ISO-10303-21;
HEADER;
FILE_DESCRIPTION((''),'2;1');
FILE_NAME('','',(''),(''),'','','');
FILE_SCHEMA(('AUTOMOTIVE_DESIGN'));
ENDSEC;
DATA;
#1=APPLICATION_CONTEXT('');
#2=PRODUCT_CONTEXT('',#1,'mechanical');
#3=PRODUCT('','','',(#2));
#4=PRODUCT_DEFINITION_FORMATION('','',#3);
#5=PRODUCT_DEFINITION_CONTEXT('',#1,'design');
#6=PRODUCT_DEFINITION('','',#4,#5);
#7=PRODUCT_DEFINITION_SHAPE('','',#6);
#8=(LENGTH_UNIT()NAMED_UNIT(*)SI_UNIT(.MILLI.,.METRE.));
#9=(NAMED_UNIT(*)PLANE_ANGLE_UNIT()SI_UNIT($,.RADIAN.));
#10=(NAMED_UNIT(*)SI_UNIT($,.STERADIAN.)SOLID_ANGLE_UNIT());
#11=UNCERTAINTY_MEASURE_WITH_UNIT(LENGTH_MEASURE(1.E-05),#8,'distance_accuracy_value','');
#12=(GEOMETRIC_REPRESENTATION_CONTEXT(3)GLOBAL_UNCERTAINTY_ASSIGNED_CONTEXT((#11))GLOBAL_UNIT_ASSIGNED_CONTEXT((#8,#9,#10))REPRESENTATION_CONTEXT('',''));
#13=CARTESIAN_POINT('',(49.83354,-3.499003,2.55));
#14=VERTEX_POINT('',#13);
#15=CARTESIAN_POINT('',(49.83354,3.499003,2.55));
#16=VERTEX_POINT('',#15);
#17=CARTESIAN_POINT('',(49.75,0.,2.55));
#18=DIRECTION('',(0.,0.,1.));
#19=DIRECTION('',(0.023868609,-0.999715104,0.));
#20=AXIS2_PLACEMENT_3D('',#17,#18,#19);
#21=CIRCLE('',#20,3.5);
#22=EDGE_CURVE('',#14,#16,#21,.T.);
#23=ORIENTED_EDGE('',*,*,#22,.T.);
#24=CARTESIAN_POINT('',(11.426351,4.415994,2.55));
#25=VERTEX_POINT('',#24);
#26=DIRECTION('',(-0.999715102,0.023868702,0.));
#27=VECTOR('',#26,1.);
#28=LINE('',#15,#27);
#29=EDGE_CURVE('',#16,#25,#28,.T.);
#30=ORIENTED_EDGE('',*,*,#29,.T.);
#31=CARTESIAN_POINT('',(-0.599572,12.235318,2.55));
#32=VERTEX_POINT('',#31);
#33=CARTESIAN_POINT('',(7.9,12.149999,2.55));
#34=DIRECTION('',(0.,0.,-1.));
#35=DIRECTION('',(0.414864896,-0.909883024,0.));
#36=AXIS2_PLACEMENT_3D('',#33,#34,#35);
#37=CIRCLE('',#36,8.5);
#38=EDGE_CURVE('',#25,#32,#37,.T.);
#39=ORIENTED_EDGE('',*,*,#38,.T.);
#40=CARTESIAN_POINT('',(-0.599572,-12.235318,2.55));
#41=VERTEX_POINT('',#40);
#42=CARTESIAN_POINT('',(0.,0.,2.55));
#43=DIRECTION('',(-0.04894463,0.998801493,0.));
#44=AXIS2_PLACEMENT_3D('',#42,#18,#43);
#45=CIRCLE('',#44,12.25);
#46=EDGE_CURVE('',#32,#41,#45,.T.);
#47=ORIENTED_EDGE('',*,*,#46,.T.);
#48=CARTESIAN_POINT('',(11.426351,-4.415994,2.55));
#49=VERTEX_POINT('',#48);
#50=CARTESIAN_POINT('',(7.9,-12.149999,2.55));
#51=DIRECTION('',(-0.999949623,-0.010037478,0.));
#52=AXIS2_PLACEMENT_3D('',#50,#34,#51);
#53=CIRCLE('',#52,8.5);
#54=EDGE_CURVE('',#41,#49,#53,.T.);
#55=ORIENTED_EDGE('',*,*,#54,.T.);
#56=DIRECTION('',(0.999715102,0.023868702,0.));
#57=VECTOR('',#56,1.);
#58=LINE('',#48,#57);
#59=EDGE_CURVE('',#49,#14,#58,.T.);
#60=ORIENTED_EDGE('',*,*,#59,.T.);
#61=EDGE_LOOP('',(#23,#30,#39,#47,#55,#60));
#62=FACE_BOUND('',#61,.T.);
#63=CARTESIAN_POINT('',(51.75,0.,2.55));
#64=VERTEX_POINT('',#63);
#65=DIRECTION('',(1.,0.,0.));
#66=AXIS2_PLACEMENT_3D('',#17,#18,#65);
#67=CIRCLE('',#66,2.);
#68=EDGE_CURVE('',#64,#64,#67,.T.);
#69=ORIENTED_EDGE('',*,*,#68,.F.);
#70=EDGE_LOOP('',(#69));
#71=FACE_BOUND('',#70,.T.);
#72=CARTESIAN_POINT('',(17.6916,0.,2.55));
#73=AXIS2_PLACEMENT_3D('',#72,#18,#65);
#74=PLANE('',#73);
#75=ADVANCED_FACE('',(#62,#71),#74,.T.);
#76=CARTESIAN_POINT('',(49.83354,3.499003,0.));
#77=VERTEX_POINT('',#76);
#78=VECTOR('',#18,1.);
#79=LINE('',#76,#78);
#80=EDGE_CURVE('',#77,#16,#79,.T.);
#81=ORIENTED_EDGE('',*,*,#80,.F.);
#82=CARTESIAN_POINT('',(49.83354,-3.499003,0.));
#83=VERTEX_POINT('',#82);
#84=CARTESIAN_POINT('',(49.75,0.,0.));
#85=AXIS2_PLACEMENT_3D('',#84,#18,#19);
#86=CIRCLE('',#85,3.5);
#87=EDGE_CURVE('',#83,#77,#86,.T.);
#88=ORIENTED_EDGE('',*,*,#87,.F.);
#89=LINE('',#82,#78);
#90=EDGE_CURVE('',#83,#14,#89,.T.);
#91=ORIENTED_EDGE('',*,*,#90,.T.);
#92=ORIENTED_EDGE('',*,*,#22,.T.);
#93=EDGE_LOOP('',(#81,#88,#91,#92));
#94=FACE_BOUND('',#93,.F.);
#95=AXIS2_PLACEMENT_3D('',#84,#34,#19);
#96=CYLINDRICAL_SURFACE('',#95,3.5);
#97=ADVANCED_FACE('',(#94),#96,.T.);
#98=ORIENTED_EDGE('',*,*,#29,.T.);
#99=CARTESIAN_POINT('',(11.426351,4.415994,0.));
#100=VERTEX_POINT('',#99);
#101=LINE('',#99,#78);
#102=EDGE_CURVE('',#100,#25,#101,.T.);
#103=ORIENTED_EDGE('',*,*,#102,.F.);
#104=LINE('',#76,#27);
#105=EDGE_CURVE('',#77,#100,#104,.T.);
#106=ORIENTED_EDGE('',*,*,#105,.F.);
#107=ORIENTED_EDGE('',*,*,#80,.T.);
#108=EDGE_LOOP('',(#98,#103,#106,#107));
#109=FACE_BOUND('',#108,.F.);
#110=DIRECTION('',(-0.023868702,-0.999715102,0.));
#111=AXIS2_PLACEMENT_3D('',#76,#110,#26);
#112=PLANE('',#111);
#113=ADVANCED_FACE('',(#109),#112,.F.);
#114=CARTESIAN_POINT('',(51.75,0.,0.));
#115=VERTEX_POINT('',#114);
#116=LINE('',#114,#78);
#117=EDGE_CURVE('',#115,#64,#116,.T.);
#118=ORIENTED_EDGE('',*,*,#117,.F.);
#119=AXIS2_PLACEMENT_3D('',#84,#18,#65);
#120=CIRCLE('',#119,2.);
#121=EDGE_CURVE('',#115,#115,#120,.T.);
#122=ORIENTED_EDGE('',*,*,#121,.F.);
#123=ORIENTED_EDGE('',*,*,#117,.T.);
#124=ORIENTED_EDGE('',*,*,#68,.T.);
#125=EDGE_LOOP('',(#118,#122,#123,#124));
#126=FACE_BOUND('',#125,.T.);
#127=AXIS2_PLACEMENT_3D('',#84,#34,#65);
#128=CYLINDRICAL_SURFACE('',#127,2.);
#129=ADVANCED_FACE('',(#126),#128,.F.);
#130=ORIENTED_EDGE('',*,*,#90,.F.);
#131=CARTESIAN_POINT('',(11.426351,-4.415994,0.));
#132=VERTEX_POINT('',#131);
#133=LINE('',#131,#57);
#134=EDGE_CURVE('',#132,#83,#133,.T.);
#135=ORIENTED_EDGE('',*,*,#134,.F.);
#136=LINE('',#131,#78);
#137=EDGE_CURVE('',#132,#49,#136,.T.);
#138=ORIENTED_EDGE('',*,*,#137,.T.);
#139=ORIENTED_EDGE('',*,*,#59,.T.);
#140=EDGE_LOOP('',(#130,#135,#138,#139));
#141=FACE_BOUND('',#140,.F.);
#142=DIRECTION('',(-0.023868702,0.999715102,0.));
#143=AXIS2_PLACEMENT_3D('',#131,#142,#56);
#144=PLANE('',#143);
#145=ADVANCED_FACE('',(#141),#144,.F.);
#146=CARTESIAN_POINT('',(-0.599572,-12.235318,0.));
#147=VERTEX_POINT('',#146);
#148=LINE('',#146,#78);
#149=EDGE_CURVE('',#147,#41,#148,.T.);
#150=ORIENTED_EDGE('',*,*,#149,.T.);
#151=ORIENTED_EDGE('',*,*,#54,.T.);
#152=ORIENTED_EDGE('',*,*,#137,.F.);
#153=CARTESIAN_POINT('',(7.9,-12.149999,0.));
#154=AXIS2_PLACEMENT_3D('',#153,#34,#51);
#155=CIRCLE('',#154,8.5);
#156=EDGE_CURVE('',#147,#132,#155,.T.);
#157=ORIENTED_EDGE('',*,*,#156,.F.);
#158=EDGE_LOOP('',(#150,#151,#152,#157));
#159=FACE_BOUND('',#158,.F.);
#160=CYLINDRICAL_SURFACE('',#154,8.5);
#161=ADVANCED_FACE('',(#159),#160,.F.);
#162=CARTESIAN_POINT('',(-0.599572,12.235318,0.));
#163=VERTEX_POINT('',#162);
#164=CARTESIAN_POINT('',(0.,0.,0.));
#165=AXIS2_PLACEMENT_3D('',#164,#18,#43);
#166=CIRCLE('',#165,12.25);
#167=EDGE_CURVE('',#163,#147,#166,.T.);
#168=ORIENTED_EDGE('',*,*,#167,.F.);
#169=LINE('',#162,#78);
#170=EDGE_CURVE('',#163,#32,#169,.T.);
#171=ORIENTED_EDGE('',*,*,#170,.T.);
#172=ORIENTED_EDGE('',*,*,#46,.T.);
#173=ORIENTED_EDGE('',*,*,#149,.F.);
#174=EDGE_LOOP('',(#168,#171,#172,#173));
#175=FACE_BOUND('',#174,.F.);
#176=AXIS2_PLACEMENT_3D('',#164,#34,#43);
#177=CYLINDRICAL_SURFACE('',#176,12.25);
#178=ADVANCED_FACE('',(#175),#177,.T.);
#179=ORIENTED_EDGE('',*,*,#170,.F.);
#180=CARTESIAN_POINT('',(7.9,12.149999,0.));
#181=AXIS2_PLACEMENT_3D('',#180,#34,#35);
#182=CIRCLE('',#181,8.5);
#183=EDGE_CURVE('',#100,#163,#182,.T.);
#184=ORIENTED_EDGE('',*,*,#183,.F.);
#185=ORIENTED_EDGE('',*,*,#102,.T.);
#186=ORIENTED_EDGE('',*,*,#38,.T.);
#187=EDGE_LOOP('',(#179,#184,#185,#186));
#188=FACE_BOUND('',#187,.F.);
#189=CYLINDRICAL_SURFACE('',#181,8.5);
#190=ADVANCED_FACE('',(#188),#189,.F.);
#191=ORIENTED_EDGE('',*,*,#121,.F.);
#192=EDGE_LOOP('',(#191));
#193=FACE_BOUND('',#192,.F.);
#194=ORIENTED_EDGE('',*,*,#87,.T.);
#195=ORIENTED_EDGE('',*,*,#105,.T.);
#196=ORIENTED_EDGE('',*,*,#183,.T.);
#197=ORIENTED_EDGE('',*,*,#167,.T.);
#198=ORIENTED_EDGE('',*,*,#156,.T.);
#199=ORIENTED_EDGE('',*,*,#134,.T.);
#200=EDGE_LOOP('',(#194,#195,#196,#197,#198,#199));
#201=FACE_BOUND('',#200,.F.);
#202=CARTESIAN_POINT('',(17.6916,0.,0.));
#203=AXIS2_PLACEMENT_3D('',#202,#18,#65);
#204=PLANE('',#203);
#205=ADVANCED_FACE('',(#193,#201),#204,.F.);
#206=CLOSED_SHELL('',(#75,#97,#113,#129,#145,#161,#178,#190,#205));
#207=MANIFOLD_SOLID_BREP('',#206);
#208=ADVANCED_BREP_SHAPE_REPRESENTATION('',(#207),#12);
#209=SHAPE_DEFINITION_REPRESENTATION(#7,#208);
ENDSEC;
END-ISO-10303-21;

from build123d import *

# Parameters (mm, degrees)
F0_R     = 2
F1_DEPTH = 2.55


with BuildPart() as f1:
    # F0 (on Top) → F1 (new body)
    with BuildSketch(Plane.XY):
        with BuildLine():
            ThreePointArc((11.426351, 4.415994), (3.266568, 5.023899), (-0.599572, 12.235318))
            ThreePointArc((-0.599572, 12.235318), (-12.25, 0), (-0.599572, -12.235318))
            ThreePointArc((-0.599572, -12.235318), (3.266568, -5.023899), (11.426351, -4.415994))
            Line((11.426351, -4.415994), (49.83354, -3.499003))
            ThreePointArc((49.83354, -3.499003), (53.25, 0), (49.83354, 3.499003))
            Line((49.83354, 3.499003), (11.426351, 4.415994))
        make_face()
        with Locations((49.75, 0)):
            Circle(F0_R, mode=Mode.SUBTRACT)
    extrude(amount=F1_DEPTH)


solid = f1.part
